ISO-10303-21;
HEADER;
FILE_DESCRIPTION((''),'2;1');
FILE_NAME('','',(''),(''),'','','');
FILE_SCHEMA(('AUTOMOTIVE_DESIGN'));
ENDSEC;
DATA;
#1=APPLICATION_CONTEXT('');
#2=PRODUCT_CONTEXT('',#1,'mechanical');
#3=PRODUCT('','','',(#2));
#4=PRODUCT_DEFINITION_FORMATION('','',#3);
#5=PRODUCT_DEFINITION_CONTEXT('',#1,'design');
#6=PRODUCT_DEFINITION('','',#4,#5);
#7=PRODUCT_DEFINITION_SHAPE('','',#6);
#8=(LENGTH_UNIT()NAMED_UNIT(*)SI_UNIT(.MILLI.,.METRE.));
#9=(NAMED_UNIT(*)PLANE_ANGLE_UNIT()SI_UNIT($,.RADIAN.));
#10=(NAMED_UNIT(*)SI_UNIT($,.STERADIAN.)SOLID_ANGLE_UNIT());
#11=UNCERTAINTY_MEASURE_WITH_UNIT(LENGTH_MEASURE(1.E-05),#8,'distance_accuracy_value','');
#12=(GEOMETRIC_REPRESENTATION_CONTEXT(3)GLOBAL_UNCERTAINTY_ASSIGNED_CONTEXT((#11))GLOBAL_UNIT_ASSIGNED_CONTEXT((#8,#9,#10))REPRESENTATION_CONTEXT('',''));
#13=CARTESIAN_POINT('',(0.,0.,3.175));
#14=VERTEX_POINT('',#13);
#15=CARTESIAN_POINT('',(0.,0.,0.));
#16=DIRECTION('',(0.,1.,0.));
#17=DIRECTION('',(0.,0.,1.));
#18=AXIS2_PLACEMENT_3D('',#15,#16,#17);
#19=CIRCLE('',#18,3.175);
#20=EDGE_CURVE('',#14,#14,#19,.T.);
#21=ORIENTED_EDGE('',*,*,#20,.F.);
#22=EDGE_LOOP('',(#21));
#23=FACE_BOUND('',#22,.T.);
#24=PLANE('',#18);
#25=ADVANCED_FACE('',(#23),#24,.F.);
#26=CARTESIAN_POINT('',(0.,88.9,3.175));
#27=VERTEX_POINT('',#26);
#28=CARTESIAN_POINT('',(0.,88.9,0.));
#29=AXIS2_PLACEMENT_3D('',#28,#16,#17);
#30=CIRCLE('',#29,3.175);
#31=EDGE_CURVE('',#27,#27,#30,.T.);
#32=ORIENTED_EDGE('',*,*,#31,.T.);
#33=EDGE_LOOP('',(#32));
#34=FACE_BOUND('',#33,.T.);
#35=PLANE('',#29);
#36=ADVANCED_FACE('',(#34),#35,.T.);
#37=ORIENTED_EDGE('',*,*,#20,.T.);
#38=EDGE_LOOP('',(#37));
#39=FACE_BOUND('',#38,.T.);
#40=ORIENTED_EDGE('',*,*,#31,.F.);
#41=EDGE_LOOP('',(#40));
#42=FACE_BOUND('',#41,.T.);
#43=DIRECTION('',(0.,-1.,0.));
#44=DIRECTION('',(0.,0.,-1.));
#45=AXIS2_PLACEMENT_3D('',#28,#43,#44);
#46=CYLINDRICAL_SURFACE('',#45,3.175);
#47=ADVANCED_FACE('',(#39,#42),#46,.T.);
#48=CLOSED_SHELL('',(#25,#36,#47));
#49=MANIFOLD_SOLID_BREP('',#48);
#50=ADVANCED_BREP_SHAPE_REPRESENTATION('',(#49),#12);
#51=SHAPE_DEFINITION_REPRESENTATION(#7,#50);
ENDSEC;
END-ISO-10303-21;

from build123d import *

# Parameters (mm, degrees)
SKETCH1_R           = 3.175
BOSS_EXTRUDE1_DEPTH = 88.9


with BuildPart() as part:
    # Sketch1 → Boss-Extrude1 (new body)
    with BuildSketch(Plane(origin=(0, 0, 0), x_dir=(1, 0, 0), z_dir=(0, 1, 0))):
        Circle(SKETCH1_R)
    extrude(amount=BOSS_EXTRUDE1_DEPTH)


solid = part.part
